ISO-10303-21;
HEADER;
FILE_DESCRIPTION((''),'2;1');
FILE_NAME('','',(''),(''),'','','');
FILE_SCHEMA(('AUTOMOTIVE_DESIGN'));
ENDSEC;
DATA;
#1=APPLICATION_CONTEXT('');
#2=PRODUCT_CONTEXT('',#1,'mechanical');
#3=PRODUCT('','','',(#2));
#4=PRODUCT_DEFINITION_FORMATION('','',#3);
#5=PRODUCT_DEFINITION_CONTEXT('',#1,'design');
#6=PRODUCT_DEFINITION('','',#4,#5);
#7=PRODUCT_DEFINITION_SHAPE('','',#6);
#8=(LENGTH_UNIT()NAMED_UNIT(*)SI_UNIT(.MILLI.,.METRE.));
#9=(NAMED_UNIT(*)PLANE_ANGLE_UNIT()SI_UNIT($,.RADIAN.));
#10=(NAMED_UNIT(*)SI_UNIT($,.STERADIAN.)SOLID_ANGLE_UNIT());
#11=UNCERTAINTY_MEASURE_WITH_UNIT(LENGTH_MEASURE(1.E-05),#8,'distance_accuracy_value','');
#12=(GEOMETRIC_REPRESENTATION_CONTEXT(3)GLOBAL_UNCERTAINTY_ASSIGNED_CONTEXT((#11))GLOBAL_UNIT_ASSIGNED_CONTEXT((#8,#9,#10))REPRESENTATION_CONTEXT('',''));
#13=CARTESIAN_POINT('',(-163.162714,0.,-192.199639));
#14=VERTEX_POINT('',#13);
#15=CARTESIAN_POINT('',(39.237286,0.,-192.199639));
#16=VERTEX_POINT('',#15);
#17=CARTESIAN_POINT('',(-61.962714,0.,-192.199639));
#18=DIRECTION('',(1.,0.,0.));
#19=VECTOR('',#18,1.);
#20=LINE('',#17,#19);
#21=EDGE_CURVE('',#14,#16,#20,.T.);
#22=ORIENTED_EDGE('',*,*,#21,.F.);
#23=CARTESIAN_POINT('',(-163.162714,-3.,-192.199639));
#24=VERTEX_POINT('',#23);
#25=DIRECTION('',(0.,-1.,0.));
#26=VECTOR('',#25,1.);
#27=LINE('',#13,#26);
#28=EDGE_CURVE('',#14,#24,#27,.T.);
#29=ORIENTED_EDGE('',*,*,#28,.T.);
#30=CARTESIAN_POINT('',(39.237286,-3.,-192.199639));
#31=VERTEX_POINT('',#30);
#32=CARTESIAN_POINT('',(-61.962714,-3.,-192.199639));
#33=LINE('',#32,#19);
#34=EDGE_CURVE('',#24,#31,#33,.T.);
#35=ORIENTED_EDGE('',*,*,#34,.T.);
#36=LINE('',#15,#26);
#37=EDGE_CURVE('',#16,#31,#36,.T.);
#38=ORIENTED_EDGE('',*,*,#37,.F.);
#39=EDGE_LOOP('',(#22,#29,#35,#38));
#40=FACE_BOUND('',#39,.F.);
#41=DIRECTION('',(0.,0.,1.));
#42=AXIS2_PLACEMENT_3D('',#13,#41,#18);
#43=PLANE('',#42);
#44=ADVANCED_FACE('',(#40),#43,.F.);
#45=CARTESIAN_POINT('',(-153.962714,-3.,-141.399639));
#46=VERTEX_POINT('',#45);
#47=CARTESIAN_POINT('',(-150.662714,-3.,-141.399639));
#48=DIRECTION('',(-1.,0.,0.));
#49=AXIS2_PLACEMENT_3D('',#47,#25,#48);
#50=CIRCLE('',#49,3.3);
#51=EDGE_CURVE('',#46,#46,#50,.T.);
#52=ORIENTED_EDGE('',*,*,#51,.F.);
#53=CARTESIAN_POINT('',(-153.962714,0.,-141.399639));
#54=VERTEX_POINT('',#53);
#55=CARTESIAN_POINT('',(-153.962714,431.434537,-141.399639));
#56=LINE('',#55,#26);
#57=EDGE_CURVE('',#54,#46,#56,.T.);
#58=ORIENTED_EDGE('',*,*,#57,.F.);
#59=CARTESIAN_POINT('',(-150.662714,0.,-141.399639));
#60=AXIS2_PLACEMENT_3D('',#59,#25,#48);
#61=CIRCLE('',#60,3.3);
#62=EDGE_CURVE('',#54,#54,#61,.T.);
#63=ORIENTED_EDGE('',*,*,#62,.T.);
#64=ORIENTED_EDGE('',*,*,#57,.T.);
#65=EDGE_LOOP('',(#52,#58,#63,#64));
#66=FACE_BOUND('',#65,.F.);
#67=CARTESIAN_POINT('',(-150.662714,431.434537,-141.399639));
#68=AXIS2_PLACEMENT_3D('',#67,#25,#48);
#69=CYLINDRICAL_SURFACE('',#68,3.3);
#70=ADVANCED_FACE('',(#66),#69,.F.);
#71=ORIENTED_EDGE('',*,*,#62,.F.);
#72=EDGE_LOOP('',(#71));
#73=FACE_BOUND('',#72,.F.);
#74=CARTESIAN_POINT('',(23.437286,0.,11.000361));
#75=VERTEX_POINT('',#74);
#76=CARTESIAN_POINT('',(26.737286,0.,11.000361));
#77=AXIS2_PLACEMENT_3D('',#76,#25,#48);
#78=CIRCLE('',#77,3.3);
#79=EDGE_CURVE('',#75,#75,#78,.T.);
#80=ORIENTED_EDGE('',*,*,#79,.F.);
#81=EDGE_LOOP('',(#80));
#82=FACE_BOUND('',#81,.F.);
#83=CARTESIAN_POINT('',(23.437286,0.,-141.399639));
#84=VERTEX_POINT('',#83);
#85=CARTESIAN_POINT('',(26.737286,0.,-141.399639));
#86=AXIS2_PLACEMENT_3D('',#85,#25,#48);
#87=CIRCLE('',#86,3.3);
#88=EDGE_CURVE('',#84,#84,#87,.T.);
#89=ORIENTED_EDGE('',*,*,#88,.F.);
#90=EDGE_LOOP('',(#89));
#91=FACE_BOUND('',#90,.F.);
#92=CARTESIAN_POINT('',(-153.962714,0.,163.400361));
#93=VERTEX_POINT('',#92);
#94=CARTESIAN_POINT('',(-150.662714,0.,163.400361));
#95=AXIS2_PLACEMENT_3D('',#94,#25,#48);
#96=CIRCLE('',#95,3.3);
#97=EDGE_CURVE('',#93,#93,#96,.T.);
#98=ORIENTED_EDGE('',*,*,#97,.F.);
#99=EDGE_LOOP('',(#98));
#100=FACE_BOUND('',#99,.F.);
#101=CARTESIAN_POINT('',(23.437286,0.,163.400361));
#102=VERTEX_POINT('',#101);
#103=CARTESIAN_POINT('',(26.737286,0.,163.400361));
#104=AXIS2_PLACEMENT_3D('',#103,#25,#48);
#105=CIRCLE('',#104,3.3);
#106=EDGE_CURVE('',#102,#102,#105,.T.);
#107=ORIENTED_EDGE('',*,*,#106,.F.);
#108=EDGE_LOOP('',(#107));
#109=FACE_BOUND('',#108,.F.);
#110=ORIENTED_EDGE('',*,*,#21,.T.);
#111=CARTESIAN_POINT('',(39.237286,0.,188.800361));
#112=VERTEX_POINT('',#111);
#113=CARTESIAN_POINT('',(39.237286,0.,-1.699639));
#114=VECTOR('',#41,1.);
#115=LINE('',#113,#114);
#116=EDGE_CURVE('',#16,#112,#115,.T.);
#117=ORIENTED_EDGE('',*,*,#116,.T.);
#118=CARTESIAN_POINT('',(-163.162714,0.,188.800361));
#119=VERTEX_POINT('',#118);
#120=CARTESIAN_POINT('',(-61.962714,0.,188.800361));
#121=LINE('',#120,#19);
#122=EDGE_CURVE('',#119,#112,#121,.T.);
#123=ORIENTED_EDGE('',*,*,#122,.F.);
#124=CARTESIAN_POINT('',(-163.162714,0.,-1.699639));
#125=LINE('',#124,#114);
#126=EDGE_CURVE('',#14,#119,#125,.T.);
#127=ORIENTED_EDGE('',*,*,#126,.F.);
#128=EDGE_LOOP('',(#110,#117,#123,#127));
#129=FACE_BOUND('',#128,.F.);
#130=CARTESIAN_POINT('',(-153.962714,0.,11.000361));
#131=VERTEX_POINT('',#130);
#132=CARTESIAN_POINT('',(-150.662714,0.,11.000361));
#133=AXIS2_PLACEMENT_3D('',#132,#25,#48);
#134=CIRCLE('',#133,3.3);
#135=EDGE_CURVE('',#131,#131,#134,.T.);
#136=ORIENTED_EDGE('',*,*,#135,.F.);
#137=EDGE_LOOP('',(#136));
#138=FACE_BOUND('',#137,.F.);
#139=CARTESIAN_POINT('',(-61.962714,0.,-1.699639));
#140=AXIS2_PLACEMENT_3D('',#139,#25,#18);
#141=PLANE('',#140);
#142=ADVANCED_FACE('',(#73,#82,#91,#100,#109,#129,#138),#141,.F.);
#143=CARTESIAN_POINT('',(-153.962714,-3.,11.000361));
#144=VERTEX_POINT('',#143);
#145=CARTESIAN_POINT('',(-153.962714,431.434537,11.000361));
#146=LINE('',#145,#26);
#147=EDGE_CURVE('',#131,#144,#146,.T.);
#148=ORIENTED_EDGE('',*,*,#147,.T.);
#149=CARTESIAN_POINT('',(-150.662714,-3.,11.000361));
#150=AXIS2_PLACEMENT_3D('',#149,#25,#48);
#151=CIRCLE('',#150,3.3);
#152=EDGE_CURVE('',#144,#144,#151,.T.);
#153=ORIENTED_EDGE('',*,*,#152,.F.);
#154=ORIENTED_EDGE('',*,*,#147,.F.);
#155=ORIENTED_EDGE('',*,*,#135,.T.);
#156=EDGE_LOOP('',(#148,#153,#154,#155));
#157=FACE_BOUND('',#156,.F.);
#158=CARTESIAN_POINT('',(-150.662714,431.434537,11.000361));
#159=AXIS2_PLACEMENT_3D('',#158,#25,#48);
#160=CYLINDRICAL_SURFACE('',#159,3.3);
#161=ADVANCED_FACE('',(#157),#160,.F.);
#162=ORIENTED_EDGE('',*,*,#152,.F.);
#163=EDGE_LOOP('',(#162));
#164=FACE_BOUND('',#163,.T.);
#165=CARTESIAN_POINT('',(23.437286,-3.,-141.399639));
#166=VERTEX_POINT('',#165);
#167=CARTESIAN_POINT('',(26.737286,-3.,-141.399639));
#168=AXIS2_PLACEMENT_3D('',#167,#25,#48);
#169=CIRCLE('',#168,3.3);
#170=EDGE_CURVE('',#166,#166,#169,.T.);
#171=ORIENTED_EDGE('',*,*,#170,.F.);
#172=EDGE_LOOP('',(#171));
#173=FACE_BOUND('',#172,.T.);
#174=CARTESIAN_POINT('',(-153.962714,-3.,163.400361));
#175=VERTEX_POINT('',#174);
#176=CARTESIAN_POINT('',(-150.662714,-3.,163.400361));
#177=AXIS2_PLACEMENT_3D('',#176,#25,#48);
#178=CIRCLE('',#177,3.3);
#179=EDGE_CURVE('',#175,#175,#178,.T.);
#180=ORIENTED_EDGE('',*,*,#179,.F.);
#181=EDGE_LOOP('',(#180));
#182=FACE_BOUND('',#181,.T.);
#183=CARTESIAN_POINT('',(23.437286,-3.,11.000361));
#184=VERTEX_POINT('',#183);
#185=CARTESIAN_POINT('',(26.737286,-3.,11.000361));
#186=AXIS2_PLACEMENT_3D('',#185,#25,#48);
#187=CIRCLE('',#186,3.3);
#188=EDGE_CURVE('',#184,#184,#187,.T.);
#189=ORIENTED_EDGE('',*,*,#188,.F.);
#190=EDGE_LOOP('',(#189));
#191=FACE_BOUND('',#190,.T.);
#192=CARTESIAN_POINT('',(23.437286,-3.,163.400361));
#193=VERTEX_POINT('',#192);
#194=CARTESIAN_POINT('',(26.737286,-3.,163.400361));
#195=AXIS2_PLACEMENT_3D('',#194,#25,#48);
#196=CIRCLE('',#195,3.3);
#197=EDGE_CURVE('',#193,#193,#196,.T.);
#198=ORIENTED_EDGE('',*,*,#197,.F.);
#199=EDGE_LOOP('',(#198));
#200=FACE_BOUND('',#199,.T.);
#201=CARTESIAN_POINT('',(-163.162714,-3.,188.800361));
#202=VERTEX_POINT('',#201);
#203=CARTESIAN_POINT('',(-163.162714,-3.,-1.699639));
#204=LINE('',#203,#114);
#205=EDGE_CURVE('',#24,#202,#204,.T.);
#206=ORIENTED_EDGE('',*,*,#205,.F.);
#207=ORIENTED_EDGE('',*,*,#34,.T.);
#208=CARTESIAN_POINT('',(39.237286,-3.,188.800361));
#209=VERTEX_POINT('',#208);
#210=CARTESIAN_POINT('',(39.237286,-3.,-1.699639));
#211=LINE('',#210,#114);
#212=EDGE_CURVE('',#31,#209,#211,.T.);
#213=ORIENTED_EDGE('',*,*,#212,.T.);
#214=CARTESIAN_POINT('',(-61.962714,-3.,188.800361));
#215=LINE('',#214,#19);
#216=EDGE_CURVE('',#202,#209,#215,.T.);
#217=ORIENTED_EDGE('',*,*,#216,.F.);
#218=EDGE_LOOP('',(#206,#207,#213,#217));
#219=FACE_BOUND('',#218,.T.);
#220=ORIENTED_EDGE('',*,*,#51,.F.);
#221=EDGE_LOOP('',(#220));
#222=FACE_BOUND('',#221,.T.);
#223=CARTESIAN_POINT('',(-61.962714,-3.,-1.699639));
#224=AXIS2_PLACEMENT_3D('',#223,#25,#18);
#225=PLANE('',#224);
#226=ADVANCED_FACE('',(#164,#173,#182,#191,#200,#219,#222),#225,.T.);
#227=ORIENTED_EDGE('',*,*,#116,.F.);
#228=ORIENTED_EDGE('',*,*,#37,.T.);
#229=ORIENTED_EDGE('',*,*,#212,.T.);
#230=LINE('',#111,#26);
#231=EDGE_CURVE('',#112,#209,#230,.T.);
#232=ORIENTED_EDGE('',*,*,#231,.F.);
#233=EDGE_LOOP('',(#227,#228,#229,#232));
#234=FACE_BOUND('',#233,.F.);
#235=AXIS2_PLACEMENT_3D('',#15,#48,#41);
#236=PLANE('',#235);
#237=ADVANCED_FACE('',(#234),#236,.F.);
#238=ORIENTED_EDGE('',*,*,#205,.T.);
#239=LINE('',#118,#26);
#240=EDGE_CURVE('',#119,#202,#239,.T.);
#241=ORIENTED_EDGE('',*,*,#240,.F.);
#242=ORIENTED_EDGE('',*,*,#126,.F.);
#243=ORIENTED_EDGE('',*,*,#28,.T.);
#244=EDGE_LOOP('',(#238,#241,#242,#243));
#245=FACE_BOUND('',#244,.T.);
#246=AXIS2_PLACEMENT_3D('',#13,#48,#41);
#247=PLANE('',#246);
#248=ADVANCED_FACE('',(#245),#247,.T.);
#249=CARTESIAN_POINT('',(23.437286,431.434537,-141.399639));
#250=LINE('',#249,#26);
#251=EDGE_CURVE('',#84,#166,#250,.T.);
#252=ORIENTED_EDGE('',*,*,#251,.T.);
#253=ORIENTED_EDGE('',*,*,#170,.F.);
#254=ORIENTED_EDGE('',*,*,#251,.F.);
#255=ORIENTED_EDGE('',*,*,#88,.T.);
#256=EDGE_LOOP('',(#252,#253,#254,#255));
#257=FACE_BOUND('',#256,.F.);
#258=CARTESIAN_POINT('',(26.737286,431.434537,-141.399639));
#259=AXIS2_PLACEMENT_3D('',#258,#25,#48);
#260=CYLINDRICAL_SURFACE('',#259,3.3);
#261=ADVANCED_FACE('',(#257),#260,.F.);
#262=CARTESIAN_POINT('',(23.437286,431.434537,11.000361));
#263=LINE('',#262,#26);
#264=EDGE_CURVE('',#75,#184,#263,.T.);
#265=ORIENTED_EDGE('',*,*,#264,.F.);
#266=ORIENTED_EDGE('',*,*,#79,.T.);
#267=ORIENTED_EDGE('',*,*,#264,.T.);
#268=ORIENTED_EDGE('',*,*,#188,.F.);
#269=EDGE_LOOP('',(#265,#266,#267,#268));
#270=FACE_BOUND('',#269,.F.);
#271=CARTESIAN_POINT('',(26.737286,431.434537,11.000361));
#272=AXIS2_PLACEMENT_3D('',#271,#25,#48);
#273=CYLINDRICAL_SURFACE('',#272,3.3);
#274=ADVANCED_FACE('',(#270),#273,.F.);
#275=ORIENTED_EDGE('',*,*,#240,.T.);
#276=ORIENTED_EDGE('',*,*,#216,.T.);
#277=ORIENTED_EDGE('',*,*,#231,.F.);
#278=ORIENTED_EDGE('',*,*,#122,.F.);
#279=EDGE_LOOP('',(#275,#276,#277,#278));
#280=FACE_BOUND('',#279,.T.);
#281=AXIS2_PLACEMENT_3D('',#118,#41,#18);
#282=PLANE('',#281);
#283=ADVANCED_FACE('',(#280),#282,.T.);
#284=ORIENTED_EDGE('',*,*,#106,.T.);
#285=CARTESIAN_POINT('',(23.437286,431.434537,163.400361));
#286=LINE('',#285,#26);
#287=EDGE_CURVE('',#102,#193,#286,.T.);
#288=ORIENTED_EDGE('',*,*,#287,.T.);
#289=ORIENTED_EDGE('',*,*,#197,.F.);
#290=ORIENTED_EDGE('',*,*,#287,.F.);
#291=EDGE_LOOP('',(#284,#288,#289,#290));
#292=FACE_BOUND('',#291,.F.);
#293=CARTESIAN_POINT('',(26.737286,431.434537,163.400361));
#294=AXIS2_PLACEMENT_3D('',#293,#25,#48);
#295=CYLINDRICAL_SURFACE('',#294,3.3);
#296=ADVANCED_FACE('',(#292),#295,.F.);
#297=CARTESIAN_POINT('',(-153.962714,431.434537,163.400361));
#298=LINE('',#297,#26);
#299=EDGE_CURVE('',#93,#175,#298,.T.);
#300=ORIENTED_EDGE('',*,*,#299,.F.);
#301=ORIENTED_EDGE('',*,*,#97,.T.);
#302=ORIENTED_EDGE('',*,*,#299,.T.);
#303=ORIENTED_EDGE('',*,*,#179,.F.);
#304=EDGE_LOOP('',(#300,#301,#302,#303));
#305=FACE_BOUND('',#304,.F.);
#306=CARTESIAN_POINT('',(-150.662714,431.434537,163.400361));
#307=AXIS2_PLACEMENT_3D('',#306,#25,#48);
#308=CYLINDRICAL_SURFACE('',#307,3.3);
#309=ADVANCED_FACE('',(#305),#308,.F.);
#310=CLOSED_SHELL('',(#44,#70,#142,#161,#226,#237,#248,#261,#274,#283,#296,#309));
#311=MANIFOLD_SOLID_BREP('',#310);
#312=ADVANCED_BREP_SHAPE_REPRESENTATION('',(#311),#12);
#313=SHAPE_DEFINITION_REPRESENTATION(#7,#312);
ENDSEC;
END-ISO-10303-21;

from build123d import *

# Parameters (mm, degrees)
F0_W     = 202.4
F0_H     = 381
F1_DEPTH = 3
F2_D     = 6.6


with BuildPart() as f1:
    # F0 (on Front) → F1 (new body)
    with BuildSketch(Plane.XZ):
        with Locations((-61.9627135719, -1.6996394843)):
            Rectangle(F0_W, F0_H)
    extrude(amount=F1_DEPTH)

    # F2 (through all)
    with Locations(Plane(origin=(0, 0, 0), x_dir=(1, 0, 0), z_dir=(0, 1, 0))):
        with Locations((-150.6627135719, -163.4003605157), (-150.6627135719, -11.0003605157), (-150.6627135719, 141.3996394843), (26.7372864281, 141.3996394843), (26.7372864281, -11.0003605157), (26.7372864281, -163.4003605157)):
            Hole(F2_D / 2)


solid = f1.part
